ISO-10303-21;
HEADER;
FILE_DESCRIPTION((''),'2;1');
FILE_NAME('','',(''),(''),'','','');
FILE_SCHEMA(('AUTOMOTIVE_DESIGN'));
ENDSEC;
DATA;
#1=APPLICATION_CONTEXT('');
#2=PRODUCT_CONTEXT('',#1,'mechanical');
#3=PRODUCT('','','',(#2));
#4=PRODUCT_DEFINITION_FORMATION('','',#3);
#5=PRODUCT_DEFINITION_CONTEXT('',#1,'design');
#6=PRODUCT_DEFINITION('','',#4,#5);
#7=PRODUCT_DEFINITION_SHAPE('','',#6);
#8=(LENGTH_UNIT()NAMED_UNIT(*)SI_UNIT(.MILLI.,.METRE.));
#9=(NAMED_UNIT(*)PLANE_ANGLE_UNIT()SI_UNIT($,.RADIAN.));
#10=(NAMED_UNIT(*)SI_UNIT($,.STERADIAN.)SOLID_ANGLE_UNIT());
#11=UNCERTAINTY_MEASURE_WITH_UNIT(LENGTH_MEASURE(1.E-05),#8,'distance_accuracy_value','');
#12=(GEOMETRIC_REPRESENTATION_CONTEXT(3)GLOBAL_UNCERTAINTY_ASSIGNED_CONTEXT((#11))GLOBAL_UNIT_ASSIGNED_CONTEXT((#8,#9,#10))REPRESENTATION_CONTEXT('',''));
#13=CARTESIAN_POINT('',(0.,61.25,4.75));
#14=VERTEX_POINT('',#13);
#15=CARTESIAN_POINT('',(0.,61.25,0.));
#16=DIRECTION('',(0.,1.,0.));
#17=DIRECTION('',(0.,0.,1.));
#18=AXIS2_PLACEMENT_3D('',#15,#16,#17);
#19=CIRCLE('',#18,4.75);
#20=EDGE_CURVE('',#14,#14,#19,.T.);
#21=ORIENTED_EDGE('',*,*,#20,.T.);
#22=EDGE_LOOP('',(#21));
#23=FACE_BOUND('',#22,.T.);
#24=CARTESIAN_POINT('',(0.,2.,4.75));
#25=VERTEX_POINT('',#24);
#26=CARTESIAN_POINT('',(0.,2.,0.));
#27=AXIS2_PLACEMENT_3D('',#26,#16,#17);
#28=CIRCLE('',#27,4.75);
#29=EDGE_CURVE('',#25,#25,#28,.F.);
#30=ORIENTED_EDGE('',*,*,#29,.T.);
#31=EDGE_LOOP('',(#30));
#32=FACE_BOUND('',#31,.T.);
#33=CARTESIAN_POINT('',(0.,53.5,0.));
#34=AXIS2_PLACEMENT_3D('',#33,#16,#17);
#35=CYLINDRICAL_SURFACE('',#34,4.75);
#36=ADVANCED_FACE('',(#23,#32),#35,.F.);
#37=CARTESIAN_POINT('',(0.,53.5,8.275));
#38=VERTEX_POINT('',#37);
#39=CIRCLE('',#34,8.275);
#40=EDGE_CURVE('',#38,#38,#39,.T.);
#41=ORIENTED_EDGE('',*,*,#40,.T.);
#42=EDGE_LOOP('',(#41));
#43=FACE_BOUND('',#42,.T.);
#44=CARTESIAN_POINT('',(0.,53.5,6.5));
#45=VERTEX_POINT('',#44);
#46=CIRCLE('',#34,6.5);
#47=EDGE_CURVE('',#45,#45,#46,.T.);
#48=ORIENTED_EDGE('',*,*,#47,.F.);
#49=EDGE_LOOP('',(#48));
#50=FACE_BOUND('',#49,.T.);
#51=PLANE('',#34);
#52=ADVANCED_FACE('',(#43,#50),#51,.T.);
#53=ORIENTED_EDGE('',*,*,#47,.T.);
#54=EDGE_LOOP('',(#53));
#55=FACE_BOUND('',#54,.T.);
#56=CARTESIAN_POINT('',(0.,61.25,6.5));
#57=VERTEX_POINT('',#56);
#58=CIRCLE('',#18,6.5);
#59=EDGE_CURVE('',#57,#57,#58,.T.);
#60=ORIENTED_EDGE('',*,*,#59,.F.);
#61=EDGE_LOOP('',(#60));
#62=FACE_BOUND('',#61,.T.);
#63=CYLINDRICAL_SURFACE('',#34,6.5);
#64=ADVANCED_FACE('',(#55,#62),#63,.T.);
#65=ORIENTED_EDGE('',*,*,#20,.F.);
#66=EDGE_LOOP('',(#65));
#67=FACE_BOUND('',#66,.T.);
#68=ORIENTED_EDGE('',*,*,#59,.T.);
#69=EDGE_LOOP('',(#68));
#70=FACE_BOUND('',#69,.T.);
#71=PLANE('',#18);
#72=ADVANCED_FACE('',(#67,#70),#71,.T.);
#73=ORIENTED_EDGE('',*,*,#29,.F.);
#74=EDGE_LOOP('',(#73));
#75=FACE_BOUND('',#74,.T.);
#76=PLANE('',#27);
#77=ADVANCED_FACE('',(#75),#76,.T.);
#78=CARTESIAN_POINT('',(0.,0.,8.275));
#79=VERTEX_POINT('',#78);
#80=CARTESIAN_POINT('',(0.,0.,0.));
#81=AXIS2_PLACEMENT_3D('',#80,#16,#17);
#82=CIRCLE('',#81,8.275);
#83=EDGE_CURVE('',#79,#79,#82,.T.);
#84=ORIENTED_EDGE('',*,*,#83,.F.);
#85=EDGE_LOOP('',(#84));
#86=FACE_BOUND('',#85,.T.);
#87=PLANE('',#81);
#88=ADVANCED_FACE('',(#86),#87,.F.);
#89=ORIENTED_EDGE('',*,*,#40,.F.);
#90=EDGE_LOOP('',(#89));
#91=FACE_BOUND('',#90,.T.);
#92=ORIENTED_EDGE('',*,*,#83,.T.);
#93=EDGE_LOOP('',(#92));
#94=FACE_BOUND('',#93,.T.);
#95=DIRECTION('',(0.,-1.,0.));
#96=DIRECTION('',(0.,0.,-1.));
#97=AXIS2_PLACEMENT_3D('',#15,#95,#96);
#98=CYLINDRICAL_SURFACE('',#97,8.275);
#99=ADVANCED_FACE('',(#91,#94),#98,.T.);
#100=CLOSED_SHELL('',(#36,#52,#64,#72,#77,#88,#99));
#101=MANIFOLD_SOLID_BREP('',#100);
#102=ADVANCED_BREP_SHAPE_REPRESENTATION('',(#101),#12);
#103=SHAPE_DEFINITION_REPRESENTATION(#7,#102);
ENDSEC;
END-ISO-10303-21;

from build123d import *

# Parameters (mm, degrees)
SKETCH1_R           = 8.275
BOSS_EXTRUDE1_DEPTH = 61.25
CUT_EXTRUDE1_START  = -7.75
SKETCH2_R           = 8.275
SKETCH2_R_2         = 6.5
SKETCH2_R_3         = 4.75
CUT_EXTRUDE1_DEPTH  = 7.75
CUT_EXTRUDE3_START  = -51.5
SKETCH3_R           = 4.75
CUT_EXTRUDE3_DEPTH  = 51.5


with BuildPart() as part:
    # Sketch1 → Boss-Extrude1 (new body)
    with BuildSketch(Plane(origin=(0, 0, 0), x_dir=(1, 0, 0), z_dir=(0, 1, 0))):
        with Locations(Location((0, 0, 0), (0, 0, 270))):
            Circle(SKETCH1_R)
    extrude(amount=BOSS_EXTRUDE1_DEPTH)

    # Sketch2 → Cut-Extrude1 (cut)
    # profile 1 of 2: a face of its own
    with BuildSketch(Plane(origin=(0, 61.25, 0), x_dir=(1, 0, 0), z_dir=(0, 1, 0)).offset(CUT_EXTRUDE1_START)):
        with Locations(Location((0, 0, 0), (0, 0, 270))):
            Circle(SKETCH2_R)
        with Locations(Location((0, 0, 0), (0, 0, 270))):
            Circle(SKETCH2_R_2, mode=Mode.SUBTRACT)
    # profile 2 of 2: a face of its own
    with BuildSketch(Plane(origin=(0, 61.25, 0), x_dir=(1, 0, 0), z_dir=(0, 1, 0)).offset(CUT_EXTRUDE1_START)):
        with Locations(Location((0, 0, 0), (0, 0, 270))):
            Circle(SKETCH2_R_3)
    extrude(amount=CUT_EXTRUDE1_DEPTH, mode=Mode.SUBTRACT)

    # Sketch3 → Cut-Extrude3 (cut)
    with BuildSketch(Plane(origin=(0, 53.5, 0), x_dir=(1, 0, 0), z_dir=(0, 1, 0)).offset(CUT_EXTRUDE3_START)):
        with Locations(Location((0, 0, 0), (0, 0, 270))):
            Circle(SKETCH3_R)
    extrude(amount=CUT_EXTRUDE3_DEPTH, mode=Mode.SUBTRACT)


solid = part.part
